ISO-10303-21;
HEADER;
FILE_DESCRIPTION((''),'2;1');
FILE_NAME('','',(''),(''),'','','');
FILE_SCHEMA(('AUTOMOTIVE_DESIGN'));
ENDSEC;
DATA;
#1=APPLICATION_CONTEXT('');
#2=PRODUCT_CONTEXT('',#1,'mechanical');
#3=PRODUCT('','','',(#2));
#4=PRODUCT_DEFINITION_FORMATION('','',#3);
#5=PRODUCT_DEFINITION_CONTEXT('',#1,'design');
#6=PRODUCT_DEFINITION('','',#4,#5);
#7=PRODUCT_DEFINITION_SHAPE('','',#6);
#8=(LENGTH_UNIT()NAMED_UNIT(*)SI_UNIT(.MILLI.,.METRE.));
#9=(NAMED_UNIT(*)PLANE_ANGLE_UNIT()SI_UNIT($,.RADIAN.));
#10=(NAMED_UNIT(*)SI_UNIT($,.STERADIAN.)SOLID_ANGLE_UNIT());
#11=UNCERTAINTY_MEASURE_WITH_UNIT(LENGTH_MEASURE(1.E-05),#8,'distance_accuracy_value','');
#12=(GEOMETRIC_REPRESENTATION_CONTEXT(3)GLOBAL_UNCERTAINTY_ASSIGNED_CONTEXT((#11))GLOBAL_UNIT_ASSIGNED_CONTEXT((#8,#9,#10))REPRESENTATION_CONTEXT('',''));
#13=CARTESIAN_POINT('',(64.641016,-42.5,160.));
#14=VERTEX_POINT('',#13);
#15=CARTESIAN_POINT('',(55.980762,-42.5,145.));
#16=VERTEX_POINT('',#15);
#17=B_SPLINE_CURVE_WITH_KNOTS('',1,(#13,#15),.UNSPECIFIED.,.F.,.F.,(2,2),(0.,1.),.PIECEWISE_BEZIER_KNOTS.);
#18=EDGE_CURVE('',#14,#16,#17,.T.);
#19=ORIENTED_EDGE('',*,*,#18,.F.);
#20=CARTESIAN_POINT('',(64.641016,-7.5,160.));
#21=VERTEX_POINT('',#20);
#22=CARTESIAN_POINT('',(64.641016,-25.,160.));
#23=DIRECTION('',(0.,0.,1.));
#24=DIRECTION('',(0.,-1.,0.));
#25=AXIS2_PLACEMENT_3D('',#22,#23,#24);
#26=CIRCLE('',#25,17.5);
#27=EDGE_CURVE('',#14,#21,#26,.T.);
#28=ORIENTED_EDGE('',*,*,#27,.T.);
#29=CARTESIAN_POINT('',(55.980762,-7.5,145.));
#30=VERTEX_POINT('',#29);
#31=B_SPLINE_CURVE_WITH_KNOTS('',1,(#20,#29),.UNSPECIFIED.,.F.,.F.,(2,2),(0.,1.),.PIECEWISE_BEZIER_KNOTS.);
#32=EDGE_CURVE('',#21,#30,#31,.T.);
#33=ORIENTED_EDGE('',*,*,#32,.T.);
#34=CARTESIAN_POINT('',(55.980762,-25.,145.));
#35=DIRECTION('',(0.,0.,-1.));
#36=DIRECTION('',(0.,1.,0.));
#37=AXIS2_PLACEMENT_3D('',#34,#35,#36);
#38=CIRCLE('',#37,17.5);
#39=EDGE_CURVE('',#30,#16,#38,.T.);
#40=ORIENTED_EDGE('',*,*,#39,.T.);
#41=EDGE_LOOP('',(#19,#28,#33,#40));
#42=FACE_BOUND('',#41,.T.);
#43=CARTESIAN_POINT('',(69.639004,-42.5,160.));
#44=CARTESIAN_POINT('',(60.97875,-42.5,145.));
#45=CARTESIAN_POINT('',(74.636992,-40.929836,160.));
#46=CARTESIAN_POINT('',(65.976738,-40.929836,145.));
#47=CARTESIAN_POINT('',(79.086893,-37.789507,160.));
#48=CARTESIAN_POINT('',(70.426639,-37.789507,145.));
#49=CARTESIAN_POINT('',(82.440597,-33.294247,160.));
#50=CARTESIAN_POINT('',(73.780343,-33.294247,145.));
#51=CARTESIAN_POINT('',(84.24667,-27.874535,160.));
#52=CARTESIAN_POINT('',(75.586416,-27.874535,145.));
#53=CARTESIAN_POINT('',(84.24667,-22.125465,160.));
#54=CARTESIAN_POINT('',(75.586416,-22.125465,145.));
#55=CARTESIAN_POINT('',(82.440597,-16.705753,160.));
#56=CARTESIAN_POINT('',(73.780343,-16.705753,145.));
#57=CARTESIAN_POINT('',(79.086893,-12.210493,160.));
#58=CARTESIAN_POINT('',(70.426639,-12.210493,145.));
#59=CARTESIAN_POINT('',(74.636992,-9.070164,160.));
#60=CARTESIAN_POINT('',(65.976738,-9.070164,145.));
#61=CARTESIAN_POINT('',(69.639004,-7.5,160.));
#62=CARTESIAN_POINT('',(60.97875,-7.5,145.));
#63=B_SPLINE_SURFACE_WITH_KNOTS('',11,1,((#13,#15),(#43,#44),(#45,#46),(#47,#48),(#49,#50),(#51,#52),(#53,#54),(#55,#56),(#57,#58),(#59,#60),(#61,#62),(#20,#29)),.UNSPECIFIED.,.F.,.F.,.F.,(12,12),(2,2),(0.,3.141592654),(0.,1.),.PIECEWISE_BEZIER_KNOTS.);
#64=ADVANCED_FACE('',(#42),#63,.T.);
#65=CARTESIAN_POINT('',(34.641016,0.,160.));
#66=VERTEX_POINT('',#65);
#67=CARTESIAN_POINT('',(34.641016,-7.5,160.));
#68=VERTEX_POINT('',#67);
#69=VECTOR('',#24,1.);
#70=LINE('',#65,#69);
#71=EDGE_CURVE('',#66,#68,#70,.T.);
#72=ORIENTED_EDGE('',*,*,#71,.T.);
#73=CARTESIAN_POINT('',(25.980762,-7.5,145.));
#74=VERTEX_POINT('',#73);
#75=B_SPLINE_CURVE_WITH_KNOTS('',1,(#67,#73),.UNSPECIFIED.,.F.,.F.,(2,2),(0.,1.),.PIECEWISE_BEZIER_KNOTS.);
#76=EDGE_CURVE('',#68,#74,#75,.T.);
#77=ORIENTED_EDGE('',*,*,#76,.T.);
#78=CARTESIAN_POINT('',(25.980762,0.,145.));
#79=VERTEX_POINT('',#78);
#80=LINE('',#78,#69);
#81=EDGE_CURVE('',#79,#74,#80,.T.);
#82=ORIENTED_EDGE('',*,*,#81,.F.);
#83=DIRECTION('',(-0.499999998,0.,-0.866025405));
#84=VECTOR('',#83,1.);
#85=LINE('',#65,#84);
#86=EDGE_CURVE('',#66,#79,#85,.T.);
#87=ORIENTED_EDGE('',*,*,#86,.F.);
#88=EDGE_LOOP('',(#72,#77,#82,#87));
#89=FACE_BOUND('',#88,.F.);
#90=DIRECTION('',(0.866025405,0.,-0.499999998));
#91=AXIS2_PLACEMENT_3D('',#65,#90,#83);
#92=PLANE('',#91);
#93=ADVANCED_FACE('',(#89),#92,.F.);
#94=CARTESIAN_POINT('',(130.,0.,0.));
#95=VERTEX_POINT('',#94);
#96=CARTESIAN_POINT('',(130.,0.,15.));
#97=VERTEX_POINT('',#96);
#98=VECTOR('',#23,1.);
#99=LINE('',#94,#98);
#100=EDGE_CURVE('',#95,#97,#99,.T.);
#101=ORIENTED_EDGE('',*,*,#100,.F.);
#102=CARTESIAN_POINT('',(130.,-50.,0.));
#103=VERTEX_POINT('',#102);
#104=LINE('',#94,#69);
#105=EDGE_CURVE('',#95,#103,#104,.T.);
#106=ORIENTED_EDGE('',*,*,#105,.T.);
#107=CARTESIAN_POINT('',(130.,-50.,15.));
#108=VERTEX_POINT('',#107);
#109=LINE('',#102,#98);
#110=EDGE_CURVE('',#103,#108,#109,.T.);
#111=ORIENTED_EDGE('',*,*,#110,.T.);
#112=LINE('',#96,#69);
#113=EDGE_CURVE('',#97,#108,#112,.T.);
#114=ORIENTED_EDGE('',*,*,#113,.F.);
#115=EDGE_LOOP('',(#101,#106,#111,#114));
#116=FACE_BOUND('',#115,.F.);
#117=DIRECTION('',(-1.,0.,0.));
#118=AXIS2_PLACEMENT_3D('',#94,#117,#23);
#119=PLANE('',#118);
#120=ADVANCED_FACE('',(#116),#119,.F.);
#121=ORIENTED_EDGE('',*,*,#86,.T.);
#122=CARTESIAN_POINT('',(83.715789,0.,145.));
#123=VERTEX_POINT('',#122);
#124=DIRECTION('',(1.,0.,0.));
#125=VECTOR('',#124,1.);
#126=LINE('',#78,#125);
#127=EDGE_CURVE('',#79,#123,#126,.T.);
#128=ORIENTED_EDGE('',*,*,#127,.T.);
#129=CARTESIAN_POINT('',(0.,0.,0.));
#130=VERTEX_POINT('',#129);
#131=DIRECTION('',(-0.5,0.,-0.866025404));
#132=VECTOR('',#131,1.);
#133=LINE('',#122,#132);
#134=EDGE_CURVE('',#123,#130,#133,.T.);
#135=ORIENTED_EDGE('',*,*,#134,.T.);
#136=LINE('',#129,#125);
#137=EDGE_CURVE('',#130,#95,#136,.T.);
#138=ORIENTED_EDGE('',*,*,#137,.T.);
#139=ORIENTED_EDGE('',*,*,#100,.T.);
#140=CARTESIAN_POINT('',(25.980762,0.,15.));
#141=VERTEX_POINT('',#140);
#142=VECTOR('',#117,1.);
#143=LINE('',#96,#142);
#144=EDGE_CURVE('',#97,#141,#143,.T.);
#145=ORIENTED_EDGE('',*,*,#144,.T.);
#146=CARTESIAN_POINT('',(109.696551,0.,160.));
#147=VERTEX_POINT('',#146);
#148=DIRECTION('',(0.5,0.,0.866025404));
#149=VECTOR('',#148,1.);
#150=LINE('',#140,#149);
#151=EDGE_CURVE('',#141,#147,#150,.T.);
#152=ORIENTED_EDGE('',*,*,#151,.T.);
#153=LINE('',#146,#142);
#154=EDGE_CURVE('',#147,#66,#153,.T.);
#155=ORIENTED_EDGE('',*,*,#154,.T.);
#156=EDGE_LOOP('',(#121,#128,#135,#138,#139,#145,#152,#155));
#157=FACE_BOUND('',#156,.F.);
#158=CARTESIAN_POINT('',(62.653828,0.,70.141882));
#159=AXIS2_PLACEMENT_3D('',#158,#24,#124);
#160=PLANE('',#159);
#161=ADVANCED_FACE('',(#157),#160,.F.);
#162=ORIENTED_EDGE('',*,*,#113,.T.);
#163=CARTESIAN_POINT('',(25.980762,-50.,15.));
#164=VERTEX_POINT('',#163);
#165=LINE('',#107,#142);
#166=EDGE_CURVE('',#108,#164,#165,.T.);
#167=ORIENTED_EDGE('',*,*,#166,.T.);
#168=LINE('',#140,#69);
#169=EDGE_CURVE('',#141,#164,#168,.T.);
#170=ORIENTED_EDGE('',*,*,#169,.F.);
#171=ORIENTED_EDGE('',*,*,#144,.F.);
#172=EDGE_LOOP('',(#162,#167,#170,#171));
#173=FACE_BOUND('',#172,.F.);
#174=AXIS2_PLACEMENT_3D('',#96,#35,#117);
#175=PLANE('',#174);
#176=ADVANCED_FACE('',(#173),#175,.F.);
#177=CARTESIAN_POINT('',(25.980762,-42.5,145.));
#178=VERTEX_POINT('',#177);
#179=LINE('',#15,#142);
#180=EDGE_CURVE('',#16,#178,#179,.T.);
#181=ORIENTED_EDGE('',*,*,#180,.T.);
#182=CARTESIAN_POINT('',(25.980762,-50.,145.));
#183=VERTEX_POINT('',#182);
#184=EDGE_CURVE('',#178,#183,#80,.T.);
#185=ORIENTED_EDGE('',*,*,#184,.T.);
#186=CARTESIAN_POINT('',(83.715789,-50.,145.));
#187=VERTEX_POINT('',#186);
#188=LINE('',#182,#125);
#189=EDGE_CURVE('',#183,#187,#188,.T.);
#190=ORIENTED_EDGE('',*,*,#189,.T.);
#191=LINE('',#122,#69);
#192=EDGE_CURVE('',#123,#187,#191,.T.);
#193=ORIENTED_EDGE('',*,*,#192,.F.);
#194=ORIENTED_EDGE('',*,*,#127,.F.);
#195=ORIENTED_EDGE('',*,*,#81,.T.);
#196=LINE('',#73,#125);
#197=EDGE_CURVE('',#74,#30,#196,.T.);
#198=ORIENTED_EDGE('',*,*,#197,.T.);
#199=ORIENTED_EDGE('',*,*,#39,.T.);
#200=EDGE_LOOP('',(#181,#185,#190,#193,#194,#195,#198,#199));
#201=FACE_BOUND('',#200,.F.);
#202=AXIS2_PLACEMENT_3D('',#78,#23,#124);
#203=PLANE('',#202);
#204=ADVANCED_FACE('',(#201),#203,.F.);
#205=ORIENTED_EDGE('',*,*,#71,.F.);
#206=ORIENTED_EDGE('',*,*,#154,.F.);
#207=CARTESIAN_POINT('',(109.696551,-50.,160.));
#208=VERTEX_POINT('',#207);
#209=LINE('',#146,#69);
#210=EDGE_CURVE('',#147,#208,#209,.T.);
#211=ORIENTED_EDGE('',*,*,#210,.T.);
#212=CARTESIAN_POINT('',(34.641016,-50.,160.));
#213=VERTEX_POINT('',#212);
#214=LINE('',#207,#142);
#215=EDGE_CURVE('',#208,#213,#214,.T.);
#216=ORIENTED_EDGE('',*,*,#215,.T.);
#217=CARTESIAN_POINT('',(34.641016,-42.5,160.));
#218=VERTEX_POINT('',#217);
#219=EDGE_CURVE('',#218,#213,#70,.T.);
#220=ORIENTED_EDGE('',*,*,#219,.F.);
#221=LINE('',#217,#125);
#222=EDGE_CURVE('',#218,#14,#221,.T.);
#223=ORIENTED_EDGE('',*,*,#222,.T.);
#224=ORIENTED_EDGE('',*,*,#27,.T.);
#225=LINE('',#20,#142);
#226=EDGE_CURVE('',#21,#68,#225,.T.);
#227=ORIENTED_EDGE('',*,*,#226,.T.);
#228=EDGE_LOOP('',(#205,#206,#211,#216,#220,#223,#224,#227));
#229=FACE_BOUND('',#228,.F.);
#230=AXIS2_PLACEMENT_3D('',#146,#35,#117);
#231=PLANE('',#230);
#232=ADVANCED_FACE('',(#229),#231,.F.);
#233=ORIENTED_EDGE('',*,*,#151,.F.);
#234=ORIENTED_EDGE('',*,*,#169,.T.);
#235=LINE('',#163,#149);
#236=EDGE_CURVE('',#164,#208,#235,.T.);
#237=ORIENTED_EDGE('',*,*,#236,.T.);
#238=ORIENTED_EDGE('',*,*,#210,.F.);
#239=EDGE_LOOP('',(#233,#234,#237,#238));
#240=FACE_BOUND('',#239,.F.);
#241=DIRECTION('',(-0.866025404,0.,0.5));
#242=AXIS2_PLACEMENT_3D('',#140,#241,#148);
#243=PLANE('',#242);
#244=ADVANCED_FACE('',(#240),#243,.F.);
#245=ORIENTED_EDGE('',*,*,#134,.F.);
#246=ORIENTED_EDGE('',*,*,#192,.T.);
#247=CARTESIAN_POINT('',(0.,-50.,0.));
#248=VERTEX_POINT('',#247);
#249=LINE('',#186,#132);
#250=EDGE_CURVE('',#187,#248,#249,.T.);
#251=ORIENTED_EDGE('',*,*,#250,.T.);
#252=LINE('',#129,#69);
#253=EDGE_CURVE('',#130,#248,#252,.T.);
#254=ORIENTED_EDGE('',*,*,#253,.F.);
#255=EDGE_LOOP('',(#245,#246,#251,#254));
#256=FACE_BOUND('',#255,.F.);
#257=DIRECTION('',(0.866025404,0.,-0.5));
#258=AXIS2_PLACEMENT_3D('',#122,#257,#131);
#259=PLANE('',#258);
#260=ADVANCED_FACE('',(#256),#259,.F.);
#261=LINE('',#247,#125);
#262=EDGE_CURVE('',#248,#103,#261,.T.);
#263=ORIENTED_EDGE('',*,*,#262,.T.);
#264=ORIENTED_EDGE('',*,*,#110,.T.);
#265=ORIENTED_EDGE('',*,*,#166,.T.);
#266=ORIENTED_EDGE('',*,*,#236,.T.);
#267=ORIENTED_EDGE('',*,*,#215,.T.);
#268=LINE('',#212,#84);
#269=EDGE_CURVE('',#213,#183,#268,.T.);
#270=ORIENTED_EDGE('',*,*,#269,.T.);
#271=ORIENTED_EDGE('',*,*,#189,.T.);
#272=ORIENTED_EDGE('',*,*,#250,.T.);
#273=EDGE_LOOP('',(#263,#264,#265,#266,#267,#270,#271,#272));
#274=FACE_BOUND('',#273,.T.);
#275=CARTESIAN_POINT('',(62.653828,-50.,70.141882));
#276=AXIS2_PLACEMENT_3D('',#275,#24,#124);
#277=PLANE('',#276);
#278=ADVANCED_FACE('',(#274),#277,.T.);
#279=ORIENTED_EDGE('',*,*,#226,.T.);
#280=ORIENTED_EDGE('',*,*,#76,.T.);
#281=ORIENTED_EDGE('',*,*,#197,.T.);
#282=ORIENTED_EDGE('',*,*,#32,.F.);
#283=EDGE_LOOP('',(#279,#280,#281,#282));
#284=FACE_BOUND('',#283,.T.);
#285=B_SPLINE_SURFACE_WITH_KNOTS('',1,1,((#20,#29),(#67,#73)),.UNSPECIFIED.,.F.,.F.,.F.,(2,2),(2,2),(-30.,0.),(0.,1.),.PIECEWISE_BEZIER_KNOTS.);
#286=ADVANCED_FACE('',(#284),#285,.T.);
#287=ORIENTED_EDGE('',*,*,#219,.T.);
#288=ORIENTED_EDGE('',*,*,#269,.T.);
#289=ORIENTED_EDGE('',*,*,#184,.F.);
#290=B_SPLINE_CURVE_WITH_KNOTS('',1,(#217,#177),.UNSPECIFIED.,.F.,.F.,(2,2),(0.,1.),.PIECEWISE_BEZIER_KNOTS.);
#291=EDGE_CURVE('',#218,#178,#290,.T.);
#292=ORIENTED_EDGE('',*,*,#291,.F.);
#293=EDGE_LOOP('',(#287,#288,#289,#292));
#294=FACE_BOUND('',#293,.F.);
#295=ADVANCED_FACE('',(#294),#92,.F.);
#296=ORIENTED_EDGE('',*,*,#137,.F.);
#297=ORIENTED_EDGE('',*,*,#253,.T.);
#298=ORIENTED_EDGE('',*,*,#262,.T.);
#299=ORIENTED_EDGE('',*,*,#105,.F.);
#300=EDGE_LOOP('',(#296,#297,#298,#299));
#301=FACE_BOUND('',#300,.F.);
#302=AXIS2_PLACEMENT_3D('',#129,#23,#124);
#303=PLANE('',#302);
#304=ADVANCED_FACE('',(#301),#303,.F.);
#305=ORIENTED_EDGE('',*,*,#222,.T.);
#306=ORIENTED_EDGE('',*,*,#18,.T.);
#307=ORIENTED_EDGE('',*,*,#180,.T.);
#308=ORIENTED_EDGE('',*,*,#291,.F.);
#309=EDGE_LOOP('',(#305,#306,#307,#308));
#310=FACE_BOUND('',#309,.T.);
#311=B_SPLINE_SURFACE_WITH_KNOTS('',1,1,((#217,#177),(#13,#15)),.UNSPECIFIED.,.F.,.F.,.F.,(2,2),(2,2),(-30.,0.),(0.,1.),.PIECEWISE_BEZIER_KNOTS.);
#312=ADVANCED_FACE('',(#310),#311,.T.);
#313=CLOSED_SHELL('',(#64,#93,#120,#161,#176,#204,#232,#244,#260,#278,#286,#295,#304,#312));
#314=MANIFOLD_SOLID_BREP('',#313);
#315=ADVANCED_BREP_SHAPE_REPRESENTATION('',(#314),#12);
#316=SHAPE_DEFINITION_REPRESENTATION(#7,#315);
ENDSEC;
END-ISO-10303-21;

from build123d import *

# Parameters (mm, degrees)
F1_DEPTH = 50


with BuildPart() as f1:
    # F0 (on Front) → F1 (new body)
    with BuildSketch(Plane.XZ):
        Polygon((83.715789, 145), (0, 0), (130, 0), (130, 15), (25.980762, 15), (109.696551, 160), (34.641016, 160), (25.980762, 145), align=None)
    extrude(amount=F1_DEPTH)

    # F2 (on face) → F4 section 0
    with BuildSketch(Plane.XY.offset(160)):
        with BuildLine():
            Line((34.641016, -42.5), (64.641016, -42.5))
            ThreePointArc((64.641016, -42.5), (82.141016, -25), (64.641016, -7.5))
            Line((64.641016, -7.5), (34.641016, -7.5))
            Line((34.641016, -7.5), (34.641016, -42.5))
        make_face()
    # F3 (on face) → F4 section 1
    with BuildSketch(Plane(origin=(0, 0, 145), x_dir=(1, 0, 0), z_dir=(0, 0, -1))):
        with BuildLine():
            Line((25.980762, 7.5), (55.980762, 7.5))
            ThreePointArc((55.980762, 7.5), (73.480762, 25), (55.980762, 42.5))
            Line((55.980762, 42.5), (25.980762, 42.5))
            Line((25.980762, 42.5), (25.980762, 7.5))
        make_face()
    loft(mode=Mode.SUBTRACT)


solid = f1.part
